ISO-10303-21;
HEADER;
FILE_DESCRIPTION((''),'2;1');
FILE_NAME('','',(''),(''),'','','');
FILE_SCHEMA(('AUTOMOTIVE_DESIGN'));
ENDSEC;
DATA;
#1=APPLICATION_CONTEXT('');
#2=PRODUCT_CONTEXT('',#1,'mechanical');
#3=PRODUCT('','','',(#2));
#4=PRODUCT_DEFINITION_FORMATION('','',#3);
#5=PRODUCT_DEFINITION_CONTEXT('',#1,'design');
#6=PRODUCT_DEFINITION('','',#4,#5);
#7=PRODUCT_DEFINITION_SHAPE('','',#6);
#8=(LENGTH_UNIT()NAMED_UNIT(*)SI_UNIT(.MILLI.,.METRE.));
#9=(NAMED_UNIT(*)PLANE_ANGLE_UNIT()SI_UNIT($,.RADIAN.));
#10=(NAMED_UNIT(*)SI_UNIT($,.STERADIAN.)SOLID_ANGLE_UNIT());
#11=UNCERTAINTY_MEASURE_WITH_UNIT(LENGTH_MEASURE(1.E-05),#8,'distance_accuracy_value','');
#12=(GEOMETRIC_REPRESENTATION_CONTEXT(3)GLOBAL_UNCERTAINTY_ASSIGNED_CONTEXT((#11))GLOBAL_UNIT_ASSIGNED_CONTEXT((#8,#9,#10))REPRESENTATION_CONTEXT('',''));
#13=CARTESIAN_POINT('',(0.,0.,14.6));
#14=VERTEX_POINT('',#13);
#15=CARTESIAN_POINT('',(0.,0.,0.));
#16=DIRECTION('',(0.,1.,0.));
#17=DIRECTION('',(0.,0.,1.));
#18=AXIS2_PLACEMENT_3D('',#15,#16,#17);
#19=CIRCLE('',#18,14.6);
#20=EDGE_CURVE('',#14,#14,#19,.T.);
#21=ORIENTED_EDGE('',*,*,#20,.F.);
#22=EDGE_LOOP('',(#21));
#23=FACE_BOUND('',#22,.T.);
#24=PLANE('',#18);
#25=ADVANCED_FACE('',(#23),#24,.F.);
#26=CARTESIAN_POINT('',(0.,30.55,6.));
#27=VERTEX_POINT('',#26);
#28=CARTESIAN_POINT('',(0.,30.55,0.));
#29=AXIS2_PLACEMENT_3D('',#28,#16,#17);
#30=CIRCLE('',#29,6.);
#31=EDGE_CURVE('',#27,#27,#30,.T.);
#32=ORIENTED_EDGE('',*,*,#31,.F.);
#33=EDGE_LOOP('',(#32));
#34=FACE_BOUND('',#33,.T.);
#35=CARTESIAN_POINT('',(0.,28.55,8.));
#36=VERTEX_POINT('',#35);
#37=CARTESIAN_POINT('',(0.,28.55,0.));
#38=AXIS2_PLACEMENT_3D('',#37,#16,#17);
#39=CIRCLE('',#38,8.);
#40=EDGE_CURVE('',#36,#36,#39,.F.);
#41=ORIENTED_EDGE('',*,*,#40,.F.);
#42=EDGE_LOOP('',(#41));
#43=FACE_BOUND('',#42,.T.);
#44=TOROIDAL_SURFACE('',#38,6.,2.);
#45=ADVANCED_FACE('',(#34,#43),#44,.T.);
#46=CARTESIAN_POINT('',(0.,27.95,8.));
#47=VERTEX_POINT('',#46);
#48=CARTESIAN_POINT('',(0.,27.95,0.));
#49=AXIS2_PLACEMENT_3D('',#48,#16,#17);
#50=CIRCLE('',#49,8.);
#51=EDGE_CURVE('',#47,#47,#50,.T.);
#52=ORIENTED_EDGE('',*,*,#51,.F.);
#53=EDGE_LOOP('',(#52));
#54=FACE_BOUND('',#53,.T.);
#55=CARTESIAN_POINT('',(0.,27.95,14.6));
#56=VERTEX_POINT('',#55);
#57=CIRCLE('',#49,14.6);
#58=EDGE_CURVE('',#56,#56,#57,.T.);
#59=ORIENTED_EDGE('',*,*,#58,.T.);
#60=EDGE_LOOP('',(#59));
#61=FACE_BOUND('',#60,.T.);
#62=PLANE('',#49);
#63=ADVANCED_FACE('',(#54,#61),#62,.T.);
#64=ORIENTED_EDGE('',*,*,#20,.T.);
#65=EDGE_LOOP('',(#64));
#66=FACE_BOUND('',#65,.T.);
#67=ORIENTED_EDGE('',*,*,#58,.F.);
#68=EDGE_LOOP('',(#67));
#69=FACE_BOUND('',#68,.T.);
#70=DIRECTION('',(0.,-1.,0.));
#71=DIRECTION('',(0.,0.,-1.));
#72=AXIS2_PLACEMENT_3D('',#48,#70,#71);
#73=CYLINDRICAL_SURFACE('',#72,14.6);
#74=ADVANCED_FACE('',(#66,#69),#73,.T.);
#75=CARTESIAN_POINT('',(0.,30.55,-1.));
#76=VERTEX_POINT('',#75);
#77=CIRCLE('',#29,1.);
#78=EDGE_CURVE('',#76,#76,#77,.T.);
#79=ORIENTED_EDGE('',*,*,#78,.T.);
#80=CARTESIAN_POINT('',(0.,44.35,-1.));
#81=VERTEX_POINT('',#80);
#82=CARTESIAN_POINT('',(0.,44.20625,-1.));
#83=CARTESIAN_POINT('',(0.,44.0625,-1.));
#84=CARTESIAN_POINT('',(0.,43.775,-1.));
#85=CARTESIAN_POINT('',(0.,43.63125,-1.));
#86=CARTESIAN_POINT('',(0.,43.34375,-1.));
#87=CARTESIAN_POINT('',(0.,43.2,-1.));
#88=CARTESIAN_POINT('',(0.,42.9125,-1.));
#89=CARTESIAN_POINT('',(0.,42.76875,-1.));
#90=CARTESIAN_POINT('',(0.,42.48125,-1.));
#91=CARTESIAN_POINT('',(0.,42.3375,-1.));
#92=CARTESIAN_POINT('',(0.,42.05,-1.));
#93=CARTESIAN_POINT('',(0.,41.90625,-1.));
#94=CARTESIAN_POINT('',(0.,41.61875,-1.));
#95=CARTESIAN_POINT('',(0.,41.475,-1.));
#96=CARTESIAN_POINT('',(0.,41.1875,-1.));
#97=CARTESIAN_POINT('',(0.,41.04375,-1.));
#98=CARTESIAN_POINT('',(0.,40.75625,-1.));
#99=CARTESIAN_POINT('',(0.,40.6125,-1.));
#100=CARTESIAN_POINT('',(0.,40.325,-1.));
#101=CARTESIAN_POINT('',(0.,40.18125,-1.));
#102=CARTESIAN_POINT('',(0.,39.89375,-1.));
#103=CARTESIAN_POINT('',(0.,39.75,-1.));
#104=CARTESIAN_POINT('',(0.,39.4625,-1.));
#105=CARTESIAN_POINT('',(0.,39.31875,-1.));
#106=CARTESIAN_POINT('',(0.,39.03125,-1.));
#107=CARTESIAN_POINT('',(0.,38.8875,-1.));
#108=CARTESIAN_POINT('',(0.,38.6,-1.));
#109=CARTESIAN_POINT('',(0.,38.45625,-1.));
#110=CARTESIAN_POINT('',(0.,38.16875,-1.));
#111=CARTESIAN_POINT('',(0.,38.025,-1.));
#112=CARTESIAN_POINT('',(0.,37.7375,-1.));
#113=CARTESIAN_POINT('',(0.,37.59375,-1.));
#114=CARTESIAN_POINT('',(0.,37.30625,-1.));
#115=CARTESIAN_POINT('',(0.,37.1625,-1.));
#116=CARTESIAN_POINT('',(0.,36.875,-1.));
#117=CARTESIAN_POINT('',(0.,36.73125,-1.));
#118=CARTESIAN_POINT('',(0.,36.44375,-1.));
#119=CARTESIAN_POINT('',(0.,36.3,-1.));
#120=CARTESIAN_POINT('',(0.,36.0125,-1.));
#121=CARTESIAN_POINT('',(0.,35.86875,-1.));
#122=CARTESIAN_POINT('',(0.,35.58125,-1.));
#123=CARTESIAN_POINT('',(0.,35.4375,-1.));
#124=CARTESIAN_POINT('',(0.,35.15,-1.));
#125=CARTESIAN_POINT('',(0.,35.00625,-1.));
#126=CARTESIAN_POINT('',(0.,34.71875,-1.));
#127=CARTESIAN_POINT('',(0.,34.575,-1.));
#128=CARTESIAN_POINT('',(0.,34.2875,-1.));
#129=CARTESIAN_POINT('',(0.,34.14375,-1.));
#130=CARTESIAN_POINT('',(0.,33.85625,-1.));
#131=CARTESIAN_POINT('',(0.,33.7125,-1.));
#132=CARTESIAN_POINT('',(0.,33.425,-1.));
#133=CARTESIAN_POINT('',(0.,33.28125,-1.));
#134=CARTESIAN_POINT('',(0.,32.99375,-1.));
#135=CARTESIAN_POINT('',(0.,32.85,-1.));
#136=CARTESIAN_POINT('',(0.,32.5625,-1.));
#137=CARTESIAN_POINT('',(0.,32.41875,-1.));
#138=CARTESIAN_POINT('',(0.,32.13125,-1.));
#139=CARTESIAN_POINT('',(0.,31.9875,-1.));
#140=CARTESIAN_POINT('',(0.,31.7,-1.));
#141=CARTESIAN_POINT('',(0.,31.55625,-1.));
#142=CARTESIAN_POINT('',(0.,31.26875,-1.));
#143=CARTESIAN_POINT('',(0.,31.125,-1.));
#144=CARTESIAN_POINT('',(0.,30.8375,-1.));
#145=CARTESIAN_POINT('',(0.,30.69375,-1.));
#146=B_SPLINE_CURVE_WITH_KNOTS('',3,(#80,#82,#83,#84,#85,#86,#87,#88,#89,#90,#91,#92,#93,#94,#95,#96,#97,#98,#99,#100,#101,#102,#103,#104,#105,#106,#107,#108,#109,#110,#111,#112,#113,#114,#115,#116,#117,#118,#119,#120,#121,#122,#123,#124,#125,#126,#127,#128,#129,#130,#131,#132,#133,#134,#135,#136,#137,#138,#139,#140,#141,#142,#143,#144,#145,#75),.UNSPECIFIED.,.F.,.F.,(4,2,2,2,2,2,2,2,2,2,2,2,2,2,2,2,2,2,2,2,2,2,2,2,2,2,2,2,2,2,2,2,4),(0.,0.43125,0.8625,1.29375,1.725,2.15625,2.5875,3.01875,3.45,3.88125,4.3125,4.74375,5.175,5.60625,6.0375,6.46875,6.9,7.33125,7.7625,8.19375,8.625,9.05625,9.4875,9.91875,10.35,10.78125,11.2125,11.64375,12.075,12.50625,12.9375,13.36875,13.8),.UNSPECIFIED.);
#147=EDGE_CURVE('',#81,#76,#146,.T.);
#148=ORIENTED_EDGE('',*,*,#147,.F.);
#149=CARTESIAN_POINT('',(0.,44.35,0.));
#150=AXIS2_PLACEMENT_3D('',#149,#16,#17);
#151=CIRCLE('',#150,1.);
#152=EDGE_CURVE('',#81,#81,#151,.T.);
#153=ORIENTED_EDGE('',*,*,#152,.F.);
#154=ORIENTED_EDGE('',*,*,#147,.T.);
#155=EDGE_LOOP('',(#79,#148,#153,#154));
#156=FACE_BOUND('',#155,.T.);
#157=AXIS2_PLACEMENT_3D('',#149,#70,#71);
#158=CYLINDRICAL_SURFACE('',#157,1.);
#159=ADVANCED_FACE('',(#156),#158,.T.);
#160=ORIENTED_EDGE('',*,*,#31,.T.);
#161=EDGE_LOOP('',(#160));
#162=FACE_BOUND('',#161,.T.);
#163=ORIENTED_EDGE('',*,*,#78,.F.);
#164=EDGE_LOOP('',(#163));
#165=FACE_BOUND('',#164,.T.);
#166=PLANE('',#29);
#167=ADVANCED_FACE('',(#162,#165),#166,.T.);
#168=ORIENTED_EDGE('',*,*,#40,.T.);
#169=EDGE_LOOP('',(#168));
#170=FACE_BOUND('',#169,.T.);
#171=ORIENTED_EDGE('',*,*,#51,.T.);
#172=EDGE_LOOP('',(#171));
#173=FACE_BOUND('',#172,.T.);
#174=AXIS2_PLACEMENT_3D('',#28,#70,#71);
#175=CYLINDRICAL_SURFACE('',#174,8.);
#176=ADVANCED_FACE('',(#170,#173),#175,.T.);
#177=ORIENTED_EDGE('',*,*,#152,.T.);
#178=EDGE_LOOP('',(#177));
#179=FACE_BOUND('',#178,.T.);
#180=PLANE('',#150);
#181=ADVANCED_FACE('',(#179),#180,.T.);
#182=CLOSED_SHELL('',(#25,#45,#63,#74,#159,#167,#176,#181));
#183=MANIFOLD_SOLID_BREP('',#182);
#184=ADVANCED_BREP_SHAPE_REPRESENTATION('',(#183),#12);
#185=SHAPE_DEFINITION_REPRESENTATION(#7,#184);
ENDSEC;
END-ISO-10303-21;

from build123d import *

# Parameters (mm, degrees)
SKETCH_1_R      = 14.6
EXTRUDE_1_DEPTH = 27.95
SKETCH_2_R      = 8
EXTRUDE_2_DEPTH = 2.6
FILLET_1_R      = 2
SKETCH_3_R      = 1
EXTRUDE_3_DEPTH = 13.8


with BuildPart() as part:
    # 草圖1 → 填料-伸長1 (new body)
    with BuildSketch(Plane(origin=(0, 0, 0), x_dir=(1, 0, 0), z_dir=(0, 1, 0))):
        with Locations(Location((0, 0, 0), (0, 0, 270))):
            Circle(SKETCH_1_R)
    extrude(amount=EXTRUDE_1_DEPTH)

    # 草圖2 → 填料-伸長2 (add)
    with BuildSketch(Plane(origin=(0, 27.95, 0), x_dir=(1, 0, 0), z_dir=(0, 1, 0))):
        with Locations(Location((0, 0, 0), (0, 0, 270))):
            Circle(SKETCH_2_R)
    extrude(amount=EXTRUDE_2_DEPTH)

    # 圓角1
    fillet_1_edges = [part.edges().sort_by_distance(p)[0] for p in [
        (0, 30.55, -8),
    ]]
    fillet(fillet_1_edges, radius=FILLET_1_R)

    # 草圖3 → 填料-伸長3 (add)
    with BuildSketch(Plane(origin=(0, 30.55, 0), x_dir=(1, 0, 0), z_dir=(0, 1, 0))):
        with Locations(Location((0, 0, 0), (0, 0, 90))):
            Circle(SKETCH_3_R)
    extrude(amount=EXTRUDE_3_DEPTH)


solid = part.part
